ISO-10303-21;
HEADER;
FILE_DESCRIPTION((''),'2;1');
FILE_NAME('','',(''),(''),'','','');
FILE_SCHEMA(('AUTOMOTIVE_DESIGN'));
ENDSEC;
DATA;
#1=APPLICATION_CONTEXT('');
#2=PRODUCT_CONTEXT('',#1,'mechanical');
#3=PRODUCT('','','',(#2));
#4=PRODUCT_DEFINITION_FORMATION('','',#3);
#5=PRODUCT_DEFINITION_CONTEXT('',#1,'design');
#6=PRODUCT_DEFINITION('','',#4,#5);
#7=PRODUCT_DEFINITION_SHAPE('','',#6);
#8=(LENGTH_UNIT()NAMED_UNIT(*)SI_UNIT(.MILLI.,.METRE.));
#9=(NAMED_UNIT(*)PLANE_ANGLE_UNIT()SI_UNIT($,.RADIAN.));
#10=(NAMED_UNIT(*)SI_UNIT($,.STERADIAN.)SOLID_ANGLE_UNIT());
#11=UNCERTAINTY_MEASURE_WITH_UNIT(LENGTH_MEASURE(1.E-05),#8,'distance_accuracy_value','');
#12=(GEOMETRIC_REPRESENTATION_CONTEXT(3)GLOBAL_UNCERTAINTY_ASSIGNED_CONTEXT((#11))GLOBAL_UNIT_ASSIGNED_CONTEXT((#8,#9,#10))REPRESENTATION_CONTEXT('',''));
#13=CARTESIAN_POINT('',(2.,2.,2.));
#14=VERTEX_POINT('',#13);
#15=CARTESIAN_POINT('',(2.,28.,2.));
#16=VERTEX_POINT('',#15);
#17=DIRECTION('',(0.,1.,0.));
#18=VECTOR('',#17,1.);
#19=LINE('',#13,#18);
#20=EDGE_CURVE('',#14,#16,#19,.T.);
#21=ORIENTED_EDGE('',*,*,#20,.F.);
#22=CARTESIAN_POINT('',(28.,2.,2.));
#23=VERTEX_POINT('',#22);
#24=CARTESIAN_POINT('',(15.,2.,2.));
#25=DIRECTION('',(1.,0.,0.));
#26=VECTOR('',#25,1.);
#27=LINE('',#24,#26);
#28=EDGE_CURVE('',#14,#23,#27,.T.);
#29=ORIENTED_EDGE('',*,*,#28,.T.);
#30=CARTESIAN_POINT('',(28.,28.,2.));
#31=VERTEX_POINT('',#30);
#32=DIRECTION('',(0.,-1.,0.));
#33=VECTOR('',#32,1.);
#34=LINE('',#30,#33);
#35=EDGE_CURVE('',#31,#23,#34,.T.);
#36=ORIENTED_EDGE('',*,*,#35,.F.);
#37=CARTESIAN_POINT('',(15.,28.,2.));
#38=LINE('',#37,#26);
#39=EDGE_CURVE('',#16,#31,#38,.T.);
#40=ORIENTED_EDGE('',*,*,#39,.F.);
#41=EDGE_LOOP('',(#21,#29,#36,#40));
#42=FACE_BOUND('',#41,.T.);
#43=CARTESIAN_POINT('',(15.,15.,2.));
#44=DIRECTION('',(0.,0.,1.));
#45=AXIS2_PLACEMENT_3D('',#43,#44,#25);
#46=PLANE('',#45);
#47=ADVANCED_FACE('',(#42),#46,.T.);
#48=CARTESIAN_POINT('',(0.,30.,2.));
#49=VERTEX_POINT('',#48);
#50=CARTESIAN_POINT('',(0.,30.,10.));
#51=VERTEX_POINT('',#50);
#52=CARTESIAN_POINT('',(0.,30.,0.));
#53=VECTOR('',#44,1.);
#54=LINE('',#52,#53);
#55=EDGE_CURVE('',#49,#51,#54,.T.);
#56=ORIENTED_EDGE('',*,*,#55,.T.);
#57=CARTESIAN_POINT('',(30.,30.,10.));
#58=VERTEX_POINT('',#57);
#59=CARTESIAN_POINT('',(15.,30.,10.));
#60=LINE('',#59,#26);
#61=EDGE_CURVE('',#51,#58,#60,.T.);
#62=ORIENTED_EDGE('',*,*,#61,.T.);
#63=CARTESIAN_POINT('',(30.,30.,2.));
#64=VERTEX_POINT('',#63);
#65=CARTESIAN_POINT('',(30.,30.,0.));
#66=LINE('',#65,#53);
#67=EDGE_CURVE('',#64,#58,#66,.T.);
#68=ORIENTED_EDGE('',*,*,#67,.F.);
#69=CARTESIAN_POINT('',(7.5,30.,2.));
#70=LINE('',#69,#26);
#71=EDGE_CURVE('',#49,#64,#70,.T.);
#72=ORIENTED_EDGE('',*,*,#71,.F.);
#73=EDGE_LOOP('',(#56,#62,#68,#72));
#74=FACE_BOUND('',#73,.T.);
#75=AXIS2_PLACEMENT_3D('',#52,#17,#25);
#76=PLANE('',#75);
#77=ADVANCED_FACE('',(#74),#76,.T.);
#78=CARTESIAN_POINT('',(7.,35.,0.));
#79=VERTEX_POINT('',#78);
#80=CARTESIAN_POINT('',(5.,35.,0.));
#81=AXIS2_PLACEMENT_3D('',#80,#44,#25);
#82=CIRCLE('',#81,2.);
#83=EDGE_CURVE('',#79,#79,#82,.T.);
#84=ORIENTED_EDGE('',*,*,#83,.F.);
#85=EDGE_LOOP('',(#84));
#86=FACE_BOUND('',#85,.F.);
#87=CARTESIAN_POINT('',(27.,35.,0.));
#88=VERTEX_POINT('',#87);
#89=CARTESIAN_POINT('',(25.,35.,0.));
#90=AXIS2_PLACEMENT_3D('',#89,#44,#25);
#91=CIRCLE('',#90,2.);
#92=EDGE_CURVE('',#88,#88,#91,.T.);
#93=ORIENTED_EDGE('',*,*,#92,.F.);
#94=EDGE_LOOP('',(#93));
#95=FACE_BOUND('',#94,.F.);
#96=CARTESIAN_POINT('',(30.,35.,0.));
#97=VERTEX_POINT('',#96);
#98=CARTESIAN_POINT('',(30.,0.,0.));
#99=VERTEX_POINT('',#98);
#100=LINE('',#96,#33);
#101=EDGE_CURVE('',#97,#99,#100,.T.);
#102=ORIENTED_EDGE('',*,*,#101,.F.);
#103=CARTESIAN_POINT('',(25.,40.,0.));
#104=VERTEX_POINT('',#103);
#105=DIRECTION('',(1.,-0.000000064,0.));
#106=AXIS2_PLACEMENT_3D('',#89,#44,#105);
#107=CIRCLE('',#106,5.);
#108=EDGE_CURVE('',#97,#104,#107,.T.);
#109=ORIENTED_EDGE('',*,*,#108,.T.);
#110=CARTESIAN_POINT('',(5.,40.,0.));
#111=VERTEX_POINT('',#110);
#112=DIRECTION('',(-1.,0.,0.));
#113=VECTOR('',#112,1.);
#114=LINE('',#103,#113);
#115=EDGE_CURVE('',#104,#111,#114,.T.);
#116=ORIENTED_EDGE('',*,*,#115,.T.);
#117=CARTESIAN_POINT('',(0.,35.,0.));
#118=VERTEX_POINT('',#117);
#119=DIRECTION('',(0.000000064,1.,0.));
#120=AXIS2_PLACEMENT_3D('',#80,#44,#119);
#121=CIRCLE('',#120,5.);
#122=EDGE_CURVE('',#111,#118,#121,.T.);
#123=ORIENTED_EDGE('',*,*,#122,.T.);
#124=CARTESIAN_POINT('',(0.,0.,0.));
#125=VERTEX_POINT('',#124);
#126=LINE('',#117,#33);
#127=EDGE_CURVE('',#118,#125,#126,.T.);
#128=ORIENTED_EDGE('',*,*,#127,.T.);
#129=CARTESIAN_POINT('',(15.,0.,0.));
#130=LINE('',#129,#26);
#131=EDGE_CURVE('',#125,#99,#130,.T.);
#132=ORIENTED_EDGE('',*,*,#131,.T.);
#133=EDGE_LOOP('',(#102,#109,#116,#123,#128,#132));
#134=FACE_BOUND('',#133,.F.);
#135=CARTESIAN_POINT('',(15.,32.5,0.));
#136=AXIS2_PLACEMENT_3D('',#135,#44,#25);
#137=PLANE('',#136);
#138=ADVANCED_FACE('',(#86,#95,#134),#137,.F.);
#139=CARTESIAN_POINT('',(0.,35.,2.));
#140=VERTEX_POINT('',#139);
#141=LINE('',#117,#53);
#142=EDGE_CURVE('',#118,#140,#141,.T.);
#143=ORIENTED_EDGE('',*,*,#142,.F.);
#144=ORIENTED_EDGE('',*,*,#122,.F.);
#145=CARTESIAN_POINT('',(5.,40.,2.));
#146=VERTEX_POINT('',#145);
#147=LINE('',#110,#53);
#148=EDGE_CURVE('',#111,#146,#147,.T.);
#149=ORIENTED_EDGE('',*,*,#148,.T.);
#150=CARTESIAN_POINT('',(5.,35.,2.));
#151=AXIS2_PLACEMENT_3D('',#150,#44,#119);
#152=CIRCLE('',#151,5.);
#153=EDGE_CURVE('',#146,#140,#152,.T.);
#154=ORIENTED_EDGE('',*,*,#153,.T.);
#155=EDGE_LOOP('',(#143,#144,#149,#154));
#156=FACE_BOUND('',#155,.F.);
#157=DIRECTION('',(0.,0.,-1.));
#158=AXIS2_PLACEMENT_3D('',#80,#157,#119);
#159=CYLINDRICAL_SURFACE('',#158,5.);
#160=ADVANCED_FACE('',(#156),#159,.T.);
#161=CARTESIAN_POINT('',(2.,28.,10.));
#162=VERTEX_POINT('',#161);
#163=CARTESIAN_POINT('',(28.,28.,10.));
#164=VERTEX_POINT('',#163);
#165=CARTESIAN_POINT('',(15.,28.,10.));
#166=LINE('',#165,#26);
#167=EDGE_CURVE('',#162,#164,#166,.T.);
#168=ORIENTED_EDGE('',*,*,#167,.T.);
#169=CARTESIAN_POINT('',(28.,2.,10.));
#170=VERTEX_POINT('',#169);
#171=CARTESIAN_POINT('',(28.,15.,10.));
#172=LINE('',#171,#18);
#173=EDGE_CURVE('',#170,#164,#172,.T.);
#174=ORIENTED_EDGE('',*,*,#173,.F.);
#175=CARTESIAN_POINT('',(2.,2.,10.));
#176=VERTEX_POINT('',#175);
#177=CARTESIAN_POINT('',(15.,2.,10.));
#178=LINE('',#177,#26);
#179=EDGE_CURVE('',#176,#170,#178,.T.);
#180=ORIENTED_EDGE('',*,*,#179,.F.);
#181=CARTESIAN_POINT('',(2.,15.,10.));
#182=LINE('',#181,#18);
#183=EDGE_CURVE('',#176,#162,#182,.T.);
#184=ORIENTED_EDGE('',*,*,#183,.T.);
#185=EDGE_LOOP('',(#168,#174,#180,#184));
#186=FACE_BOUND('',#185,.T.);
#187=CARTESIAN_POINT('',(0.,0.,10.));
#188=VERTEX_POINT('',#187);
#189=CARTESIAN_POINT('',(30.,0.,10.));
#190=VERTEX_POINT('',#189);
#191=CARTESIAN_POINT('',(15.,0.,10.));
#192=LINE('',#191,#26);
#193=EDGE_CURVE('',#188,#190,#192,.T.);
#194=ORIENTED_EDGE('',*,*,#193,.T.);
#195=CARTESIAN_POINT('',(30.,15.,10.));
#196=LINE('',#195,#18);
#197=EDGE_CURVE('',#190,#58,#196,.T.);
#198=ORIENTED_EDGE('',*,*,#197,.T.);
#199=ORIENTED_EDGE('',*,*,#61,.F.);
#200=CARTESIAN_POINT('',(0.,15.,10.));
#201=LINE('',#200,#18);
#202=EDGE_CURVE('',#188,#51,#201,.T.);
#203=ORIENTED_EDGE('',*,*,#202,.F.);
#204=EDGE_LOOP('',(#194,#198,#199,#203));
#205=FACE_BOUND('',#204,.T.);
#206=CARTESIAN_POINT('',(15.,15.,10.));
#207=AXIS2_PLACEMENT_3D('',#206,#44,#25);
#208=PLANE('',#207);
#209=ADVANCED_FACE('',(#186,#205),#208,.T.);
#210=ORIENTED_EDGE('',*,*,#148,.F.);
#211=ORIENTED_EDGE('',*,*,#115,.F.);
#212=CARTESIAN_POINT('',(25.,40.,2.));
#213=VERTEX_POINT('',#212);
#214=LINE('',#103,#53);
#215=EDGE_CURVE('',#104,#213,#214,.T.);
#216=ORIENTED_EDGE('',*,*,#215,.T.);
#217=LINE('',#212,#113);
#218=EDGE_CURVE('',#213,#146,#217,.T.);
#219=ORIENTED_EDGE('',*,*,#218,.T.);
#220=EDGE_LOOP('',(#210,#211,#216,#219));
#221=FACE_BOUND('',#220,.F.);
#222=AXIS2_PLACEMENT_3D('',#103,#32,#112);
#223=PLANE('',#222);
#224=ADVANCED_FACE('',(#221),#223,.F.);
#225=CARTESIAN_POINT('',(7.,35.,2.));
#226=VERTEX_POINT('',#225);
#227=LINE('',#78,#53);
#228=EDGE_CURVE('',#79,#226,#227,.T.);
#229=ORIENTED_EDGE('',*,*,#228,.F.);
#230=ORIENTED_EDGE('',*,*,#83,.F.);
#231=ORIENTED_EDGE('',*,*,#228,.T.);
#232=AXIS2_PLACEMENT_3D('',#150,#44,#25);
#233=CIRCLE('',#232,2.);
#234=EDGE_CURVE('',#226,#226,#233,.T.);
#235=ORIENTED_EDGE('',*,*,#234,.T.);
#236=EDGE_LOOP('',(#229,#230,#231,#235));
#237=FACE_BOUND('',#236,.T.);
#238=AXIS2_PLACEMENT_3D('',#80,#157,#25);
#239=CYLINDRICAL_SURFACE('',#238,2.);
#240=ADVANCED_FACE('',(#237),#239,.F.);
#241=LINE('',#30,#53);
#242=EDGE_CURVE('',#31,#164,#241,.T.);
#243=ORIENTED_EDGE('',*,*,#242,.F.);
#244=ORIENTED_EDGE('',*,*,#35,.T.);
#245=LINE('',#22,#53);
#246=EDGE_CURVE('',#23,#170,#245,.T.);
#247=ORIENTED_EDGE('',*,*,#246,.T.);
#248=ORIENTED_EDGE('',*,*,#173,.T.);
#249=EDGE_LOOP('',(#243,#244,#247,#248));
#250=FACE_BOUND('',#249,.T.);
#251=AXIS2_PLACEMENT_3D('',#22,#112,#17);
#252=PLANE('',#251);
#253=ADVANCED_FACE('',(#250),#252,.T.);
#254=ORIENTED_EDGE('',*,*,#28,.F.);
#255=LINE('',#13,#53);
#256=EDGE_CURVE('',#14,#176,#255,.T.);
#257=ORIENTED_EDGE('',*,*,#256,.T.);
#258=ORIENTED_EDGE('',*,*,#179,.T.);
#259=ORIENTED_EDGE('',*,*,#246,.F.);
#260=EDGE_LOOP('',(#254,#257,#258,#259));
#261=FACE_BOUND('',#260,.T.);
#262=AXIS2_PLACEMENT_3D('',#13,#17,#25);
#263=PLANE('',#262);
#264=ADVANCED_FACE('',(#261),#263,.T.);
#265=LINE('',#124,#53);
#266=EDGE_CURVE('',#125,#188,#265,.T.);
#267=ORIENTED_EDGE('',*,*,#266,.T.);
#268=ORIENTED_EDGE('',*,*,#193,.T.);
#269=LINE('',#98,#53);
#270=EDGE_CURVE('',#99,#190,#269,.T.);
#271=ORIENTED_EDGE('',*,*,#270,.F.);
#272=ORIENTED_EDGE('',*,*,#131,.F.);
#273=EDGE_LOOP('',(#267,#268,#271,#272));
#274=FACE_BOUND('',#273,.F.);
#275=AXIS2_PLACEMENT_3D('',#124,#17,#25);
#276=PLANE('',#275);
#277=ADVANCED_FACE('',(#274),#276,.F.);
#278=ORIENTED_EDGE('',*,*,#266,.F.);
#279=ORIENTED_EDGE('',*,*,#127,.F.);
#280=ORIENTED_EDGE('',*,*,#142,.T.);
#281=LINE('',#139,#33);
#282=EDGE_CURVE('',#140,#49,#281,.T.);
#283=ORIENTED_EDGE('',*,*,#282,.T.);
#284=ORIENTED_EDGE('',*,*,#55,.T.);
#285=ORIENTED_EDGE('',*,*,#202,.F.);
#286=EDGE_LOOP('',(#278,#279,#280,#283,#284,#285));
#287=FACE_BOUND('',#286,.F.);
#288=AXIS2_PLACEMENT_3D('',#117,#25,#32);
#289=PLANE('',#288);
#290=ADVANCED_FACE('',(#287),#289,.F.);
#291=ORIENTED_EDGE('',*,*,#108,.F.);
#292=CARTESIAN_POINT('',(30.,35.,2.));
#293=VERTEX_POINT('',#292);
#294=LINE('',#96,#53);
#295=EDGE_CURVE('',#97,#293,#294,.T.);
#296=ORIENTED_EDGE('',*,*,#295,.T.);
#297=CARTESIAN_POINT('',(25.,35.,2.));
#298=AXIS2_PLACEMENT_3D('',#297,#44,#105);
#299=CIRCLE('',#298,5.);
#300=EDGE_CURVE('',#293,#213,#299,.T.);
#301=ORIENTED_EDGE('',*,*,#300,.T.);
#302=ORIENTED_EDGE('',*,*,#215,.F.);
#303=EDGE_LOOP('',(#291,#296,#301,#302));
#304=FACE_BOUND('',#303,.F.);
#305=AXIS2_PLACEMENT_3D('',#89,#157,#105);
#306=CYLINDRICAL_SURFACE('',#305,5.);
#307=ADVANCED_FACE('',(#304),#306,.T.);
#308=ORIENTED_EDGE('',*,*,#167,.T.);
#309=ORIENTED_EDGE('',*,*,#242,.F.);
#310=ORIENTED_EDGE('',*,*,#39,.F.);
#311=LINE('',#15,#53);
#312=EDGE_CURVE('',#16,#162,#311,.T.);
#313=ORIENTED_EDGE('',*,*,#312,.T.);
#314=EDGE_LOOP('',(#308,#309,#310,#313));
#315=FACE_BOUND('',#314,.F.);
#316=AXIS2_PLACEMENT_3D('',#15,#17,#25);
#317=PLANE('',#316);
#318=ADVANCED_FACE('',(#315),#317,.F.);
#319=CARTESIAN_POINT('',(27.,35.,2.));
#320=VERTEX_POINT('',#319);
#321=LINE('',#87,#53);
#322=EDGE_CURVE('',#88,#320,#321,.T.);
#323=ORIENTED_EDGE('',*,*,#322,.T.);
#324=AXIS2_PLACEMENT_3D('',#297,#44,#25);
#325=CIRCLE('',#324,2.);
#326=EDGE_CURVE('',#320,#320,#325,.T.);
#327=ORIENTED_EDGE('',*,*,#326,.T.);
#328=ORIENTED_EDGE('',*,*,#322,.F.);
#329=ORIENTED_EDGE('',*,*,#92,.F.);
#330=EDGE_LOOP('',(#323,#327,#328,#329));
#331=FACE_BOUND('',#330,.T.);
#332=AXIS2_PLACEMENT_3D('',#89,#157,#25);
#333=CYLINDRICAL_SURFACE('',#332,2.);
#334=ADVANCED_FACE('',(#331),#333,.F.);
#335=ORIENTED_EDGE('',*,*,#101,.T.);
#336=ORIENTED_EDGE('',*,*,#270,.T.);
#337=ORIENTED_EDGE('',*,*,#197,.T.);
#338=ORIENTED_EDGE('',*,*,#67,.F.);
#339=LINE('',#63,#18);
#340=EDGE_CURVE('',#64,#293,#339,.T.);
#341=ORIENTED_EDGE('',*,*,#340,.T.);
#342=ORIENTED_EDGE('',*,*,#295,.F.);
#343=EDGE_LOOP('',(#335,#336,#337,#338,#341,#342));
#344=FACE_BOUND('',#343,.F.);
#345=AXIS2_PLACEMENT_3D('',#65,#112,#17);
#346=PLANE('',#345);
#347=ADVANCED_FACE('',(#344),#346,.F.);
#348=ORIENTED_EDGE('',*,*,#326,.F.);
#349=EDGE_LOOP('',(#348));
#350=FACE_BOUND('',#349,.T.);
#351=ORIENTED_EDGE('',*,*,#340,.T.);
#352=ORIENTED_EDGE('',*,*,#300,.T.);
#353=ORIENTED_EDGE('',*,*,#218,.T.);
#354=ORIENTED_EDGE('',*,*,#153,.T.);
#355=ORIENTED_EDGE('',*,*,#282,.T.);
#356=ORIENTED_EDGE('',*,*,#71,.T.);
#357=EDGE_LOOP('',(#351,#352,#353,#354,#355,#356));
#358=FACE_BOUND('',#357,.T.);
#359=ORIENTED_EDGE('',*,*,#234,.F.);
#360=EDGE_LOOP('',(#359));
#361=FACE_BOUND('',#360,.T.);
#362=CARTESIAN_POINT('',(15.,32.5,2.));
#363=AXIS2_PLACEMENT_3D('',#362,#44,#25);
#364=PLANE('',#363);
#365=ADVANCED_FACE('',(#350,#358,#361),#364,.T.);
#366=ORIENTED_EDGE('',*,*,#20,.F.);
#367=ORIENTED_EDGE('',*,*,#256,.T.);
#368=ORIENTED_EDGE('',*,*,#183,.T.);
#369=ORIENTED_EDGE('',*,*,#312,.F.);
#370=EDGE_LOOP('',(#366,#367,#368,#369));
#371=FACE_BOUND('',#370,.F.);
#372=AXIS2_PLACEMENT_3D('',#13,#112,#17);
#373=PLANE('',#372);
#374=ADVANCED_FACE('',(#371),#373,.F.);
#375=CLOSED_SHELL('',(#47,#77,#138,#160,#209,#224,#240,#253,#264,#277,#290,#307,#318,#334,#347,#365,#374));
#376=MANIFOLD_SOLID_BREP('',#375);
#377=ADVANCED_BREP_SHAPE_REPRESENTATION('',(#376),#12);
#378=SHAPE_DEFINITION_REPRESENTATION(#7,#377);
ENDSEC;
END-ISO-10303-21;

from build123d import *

# Parameters (mm, degrees)
BOX_W        = 30
BOX_H        = 30
BOX_DEPTH    = 10
BOX001_W     = 26
BOX001_H     = 26
BOX001_DEPTH = 8
SKETCH_R     = 2
PAD_DEPTH    = 2


with BuildPart() as part:
    # Box → Box (join)
    with BuildSketch(Plane.XY):
        with Locations((15, 15)):
            Rectangle(BOX_W, BOX_H)
    extrude(amount=BOX_DEPTH)

    # Box001 → Box001 (cut)
    with BuildSketch(Plane(origin=(2, 2, 2), x_dir=(1, 0, 0), z_dir=(0, 0, 1))):
        with Locations((13, 13)):
            Rectangle(BOX001_W, BOX001_H)
    extrude(amount=BOX001_DEPTH, mode=Mode.SUBTRACT)

    # Sketch → Pad (join)
    with BuildSketch(Plane.XY):
        with BuildLine():
            Line((0, 35), (0, 30))
            ThreePointArc((0, 30), (1.464466, 26.464466), (5, 25))
            Line((5, 25), (25, 25))
            ThreePointArc((25, 25), (28.535534, 26.464466), (30, 30))
            Line((30, 30), (30, 35))
            ThreePointArc((30, 35), (28.535534, 38.535534), (25, 40))
            Line((25, 40), (5, 40))
            ThreePointArc((5, 40), (1.464466, 38.535534), (0, 35))
        make_face()
        with Locations((5, 35)):
            Circle(SKETCH_R, mode=Mode.SUBTRACT)
        with Locations((25, 35)):
            Circle(SKETCH_R, mode=Mode.SUBTRACT)
    extrude(amount=PAD_DEPTH)


solid = part.part
